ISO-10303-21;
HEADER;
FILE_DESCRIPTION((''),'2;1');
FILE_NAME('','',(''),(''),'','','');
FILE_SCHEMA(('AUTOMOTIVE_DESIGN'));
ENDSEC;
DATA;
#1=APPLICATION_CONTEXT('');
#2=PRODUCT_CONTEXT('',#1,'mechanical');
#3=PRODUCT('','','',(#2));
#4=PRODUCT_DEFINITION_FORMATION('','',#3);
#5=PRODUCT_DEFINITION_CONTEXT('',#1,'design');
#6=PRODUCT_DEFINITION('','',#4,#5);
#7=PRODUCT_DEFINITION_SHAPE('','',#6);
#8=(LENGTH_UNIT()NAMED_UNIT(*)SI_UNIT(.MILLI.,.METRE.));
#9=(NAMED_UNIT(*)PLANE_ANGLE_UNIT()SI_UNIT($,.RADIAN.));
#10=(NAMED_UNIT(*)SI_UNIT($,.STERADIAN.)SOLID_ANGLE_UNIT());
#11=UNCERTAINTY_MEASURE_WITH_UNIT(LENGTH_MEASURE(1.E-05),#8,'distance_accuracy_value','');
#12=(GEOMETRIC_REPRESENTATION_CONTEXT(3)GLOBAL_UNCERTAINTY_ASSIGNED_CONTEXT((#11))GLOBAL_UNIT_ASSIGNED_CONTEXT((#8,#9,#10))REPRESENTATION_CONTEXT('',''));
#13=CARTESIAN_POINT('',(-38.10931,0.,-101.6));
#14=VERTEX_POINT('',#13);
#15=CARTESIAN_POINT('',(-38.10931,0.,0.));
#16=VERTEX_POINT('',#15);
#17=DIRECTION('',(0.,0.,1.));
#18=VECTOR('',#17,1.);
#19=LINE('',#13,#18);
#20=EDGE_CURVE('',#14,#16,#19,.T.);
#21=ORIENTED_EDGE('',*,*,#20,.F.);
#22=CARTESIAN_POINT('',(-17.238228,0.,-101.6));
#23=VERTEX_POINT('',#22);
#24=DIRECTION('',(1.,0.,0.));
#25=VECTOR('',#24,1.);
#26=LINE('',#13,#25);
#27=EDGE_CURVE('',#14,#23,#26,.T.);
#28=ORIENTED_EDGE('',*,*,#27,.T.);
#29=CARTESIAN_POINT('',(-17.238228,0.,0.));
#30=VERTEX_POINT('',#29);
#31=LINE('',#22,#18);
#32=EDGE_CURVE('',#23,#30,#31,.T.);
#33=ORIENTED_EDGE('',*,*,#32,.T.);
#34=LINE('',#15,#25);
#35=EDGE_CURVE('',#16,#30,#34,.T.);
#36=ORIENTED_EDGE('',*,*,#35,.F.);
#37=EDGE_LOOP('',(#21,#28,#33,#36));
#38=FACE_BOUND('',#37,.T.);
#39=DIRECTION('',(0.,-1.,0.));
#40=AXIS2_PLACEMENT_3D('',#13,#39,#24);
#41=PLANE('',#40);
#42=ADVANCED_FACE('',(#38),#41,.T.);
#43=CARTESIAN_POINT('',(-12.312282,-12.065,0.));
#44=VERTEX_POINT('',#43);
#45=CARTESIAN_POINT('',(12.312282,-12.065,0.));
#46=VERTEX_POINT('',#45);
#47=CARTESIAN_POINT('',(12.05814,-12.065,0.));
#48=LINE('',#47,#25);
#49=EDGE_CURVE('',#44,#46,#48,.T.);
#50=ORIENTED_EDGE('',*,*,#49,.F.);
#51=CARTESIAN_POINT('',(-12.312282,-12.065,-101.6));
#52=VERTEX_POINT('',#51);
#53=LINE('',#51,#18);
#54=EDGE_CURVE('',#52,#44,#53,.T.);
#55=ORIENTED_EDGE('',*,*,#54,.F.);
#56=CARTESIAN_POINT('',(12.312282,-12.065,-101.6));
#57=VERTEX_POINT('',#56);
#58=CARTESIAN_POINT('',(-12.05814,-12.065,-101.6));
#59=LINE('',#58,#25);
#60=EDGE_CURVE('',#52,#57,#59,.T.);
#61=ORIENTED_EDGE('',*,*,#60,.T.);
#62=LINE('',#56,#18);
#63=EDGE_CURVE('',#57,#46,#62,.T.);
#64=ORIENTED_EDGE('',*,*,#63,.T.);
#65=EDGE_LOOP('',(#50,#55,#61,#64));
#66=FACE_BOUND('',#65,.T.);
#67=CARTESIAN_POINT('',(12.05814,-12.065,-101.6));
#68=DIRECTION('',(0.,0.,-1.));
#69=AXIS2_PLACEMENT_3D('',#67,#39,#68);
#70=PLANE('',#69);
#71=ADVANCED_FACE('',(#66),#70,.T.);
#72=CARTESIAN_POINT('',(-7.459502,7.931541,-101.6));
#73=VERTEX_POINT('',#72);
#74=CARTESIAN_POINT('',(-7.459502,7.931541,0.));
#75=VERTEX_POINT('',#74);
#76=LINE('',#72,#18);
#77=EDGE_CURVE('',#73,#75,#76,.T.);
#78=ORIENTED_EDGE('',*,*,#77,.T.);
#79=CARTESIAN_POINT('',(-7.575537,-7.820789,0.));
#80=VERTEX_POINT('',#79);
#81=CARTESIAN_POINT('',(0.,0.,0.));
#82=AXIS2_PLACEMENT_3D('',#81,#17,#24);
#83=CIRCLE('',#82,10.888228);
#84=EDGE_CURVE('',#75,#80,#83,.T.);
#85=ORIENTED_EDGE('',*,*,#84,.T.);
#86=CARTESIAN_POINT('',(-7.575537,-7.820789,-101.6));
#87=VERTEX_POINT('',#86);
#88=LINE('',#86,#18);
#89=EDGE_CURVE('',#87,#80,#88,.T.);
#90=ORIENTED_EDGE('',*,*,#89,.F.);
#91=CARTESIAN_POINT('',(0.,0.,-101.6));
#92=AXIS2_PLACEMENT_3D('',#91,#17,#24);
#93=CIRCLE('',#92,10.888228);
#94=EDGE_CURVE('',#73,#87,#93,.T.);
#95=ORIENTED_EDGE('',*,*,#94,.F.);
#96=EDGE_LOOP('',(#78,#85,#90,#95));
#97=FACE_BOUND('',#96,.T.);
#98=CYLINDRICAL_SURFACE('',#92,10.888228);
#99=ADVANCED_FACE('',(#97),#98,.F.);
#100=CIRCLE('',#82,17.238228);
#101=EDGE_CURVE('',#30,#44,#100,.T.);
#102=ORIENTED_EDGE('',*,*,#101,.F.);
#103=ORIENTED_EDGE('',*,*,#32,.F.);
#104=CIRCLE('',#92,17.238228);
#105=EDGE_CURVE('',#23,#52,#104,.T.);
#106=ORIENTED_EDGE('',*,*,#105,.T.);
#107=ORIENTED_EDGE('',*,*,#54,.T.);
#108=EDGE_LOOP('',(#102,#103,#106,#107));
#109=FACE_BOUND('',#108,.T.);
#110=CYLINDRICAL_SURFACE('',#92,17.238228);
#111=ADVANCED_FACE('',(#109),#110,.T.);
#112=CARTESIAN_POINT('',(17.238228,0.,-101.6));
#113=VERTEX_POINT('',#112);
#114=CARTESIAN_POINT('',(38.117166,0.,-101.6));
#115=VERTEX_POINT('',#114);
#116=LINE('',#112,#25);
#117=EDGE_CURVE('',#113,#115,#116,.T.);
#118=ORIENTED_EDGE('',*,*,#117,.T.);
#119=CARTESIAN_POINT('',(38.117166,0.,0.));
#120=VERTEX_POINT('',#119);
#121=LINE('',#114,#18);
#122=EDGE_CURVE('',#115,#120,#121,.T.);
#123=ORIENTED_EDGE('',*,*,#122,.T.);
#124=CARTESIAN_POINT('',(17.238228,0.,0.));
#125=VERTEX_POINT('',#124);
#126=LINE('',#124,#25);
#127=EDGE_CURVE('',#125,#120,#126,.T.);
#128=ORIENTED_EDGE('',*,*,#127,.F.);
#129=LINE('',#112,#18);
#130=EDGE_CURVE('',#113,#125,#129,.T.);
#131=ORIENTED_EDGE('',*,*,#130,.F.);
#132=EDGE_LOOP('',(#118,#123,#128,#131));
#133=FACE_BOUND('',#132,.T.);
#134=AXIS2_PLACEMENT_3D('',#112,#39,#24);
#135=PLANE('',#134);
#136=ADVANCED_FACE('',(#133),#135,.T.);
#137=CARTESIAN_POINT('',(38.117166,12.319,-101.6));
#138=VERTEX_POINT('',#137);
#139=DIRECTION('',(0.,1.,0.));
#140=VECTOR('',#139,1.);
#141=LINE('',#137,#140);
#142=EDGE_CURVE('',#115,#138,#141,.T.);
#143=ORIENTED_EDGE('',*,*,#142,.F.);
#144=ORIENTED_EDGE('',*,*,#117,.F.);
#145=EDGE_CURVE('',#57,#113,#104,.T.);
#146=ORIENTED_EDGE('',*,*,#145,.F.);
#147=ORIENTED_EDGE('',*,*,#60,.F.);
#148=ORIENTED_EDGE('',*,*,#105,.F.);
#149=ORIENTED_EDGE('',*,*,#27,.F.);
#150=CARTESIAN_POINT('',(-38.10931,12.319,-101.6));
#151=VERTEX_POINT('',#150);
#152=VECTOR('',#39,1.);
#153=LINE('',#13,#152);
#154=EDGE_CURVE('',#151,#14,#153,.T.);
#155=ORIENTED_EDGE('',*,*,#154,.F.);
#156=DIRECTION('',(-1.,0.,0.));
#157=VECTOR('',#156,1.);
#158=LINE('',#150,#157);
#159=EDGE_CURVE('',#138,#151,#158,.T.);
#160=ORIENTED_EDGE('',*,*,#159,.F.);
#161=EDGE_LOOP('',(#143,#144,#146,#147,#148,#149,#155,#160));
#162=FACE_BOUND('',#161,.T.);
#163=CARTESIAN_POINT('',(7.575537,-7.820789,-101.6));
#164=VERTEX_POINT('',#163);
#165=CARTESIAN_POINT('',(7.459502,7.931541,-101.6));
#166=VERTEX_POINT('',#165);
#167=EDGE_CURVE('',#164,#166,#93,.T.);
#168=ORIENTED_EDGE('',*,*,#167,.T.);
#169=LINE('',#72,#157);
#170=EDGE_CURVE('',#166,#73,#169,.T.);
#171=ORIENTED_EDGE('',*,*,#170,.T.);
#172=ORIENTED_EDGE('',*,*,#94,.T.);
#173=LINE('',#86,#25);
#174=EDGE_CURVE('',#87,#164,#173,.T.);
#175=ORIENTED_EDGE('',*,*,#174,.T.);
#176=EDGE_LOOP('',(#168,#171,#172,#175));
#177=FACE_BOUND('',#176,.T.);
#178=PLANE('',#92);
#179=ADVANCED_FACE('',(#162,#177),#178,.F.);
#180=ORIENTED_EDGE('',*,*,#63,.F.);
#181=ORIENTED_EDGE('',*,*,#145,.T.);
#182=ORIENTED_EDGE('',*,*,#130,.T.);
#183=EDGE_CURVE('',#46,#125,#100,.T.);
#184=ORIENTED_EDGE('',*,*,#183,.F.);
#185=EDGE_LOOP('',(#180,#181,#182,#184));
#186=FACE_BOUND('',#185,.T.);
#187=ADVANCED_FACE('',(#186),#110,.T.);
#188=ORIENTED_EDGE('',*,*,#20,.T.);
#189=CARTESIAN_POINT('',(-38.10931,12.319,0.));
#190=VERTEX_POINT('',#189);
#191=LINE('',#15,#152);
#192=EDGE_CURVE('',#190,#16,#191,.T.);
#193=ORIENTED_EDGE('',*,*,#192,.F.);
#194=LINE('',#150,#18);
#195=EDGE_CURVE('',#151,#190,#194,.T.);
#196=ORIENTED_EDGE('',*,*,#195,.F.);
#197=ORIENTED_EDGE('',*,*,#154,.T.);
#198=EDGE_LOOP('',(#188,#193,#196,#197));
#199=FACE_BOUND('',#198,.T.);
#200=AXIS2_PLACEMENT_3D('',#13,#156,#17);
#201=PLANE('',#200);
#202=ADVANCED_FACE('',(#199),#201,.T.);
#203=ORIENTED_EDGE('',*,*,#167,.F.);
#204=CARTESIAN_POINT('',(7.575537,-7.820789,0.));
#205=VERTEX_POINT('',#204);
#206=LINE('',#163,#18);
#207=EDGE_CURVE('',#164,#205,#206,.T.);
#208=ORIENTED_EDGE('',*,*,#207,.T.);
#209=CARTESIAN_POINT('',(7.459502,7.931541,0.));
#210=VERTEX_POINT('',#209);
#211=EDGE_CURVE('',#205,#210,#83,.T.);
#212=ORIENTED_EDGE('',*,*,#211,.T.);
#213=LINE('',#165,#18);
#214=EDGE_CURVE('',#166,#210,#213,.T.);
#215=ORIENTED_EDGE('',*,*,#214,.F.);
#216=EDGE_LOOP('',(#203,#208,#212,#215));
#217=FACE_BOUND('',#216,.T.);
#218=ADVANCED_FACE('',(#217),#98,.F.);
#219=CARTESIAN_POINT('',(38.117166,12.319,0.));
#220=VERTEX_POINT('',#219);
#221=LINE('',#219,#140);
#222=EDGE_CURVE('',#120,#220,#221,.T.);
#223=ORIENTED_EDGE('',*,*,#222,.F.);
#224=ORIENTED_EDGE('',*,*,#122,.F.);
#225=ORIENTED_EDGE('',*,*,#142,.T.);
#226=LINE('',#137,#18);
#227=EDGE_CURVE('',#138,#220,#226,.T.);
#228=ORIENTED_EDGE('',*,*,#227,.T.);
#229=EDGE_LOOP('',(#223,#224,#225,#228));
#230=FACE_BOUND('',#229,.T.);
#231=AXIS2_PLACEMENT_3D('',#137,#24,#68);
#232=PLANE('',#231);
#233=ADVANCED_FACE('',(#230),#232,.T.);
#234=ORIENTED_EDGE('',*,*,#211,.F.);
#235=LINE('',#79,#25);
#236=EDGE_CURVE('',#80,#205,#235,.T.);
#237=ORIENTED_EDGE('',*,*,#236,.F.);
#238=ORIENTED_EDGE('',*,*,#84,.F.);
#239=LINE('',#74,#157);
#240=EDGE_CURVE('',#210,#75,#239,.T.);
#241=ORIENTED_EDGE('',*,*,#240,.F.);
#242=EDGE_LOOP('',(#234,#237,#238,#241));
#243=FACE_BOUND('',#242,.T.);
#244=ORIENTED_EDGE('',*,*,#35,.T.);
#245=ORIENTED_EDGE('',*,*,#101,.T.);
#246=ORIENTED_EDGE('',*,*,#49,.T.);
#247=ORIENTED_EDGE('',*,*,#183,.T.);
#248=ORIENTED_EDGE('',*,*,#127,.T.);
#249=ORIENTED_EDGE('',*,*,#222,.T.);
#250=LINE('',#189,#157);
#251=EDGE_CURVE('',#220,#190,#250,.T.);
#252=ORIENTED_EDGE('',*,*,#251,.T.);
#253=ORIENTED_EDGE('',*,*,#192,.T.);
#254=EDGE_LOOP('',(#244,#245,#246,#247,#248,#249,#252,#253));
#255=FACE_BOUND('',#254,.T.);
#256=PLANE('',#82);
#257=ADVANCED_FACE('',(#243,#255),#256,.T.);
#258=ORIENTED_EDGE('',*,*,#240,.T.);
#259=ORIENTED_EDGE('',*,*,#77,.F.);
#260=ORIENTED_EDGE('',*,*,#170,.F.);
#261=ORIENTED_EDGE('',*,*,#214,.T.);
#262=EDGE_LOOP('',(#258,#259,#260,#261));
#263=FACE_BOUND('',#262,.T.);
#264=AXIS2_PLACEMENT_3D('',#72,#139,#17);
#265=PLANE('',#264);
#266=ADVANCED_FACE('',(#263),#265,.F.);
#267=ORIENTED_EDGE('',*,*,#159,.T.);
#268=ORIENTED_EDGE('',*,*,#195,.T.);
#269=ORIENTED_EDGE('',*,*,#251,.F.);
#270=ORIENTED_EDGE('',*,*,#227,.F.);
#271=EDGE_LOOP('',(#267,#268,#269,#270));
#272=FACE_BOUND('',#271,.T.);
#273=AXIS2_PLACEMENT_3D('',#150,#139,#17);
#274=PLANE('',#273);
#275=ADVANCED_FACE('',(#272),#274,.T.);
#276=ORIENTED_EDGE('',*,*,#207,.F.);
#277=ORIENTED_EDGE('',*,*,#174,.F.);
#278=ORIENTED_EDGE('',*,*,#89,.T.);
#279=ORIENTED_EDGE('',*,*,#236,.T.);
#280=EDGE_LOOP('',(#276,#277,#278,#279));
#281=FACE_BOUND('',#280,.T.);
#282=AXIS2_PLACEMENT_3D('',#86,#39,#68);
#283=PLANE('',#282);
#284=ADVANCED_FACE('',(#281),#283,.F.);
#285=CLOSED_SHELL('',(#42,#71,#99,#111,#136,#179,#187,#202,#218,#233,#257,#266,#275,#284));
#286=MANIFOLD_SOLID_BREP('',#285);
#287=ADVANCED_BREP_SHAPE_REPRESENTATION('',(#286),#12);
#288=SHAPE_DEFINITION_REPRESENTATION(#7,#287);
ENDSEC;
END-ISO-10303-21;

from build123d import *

# Parameters (mm, degrees)
BOSS_EXTRUDE1_DEPTH = 101.6


with BuildPart() as part:
    # Sketch1 → Boss-Extrude1 (new body)
    with BuildSketch(Plane.XY):
        with BuildLine():
            Line((-38.109310446, 0), (-38.109310446, 12.319))
            Line((-38.109310446, 12.319), (38.11716556, 12.319))
            Line((38.11716556, 12.319), (38.11716556, 0))
            Line((38.11716556, 0), (17.238227932, 0))
            ThreePointArc((17.238227932, 0), (15.959298514, -6.515926117), (12.312281561, -12.065))
            Line((12.312281561, -12.065), (12.05814004, -12.065))
            Line((12.05814004, -12.065), (-12.05814004, -12.065))
            Line((-12.05814004, -12.065), (-12.312281561, -12.065))
            ThreePointArc((-12.312281561, -12.065), (-15.959298514, -6.515926117), (-17.238227932, 0))
            Line((-17.238227932, 0), (-38.109310446, 0))
        make_face()
        with BuildLine():
            Line((-7.459501807, 7.931540852), (7.459501807, 7.931540852))
            ThreePointArc((7.459501807, 7.931540852), (10.887932539, 0.08020301), (7.575537086, -7.820789305))
            Line((7.575537086, -7.820789305), (-7.575537086, -7.820789305))
            ThreePointArc((-7.575537086, -7.820789305), (-10.887932539, 0.08020301), (-7.459501807, 7.931540852))
        make_face(mode=Mode.SUBTRACT)
    extrude(amount=-BOSS_EXTRUDE1_DEPTH)


solid = part.part
